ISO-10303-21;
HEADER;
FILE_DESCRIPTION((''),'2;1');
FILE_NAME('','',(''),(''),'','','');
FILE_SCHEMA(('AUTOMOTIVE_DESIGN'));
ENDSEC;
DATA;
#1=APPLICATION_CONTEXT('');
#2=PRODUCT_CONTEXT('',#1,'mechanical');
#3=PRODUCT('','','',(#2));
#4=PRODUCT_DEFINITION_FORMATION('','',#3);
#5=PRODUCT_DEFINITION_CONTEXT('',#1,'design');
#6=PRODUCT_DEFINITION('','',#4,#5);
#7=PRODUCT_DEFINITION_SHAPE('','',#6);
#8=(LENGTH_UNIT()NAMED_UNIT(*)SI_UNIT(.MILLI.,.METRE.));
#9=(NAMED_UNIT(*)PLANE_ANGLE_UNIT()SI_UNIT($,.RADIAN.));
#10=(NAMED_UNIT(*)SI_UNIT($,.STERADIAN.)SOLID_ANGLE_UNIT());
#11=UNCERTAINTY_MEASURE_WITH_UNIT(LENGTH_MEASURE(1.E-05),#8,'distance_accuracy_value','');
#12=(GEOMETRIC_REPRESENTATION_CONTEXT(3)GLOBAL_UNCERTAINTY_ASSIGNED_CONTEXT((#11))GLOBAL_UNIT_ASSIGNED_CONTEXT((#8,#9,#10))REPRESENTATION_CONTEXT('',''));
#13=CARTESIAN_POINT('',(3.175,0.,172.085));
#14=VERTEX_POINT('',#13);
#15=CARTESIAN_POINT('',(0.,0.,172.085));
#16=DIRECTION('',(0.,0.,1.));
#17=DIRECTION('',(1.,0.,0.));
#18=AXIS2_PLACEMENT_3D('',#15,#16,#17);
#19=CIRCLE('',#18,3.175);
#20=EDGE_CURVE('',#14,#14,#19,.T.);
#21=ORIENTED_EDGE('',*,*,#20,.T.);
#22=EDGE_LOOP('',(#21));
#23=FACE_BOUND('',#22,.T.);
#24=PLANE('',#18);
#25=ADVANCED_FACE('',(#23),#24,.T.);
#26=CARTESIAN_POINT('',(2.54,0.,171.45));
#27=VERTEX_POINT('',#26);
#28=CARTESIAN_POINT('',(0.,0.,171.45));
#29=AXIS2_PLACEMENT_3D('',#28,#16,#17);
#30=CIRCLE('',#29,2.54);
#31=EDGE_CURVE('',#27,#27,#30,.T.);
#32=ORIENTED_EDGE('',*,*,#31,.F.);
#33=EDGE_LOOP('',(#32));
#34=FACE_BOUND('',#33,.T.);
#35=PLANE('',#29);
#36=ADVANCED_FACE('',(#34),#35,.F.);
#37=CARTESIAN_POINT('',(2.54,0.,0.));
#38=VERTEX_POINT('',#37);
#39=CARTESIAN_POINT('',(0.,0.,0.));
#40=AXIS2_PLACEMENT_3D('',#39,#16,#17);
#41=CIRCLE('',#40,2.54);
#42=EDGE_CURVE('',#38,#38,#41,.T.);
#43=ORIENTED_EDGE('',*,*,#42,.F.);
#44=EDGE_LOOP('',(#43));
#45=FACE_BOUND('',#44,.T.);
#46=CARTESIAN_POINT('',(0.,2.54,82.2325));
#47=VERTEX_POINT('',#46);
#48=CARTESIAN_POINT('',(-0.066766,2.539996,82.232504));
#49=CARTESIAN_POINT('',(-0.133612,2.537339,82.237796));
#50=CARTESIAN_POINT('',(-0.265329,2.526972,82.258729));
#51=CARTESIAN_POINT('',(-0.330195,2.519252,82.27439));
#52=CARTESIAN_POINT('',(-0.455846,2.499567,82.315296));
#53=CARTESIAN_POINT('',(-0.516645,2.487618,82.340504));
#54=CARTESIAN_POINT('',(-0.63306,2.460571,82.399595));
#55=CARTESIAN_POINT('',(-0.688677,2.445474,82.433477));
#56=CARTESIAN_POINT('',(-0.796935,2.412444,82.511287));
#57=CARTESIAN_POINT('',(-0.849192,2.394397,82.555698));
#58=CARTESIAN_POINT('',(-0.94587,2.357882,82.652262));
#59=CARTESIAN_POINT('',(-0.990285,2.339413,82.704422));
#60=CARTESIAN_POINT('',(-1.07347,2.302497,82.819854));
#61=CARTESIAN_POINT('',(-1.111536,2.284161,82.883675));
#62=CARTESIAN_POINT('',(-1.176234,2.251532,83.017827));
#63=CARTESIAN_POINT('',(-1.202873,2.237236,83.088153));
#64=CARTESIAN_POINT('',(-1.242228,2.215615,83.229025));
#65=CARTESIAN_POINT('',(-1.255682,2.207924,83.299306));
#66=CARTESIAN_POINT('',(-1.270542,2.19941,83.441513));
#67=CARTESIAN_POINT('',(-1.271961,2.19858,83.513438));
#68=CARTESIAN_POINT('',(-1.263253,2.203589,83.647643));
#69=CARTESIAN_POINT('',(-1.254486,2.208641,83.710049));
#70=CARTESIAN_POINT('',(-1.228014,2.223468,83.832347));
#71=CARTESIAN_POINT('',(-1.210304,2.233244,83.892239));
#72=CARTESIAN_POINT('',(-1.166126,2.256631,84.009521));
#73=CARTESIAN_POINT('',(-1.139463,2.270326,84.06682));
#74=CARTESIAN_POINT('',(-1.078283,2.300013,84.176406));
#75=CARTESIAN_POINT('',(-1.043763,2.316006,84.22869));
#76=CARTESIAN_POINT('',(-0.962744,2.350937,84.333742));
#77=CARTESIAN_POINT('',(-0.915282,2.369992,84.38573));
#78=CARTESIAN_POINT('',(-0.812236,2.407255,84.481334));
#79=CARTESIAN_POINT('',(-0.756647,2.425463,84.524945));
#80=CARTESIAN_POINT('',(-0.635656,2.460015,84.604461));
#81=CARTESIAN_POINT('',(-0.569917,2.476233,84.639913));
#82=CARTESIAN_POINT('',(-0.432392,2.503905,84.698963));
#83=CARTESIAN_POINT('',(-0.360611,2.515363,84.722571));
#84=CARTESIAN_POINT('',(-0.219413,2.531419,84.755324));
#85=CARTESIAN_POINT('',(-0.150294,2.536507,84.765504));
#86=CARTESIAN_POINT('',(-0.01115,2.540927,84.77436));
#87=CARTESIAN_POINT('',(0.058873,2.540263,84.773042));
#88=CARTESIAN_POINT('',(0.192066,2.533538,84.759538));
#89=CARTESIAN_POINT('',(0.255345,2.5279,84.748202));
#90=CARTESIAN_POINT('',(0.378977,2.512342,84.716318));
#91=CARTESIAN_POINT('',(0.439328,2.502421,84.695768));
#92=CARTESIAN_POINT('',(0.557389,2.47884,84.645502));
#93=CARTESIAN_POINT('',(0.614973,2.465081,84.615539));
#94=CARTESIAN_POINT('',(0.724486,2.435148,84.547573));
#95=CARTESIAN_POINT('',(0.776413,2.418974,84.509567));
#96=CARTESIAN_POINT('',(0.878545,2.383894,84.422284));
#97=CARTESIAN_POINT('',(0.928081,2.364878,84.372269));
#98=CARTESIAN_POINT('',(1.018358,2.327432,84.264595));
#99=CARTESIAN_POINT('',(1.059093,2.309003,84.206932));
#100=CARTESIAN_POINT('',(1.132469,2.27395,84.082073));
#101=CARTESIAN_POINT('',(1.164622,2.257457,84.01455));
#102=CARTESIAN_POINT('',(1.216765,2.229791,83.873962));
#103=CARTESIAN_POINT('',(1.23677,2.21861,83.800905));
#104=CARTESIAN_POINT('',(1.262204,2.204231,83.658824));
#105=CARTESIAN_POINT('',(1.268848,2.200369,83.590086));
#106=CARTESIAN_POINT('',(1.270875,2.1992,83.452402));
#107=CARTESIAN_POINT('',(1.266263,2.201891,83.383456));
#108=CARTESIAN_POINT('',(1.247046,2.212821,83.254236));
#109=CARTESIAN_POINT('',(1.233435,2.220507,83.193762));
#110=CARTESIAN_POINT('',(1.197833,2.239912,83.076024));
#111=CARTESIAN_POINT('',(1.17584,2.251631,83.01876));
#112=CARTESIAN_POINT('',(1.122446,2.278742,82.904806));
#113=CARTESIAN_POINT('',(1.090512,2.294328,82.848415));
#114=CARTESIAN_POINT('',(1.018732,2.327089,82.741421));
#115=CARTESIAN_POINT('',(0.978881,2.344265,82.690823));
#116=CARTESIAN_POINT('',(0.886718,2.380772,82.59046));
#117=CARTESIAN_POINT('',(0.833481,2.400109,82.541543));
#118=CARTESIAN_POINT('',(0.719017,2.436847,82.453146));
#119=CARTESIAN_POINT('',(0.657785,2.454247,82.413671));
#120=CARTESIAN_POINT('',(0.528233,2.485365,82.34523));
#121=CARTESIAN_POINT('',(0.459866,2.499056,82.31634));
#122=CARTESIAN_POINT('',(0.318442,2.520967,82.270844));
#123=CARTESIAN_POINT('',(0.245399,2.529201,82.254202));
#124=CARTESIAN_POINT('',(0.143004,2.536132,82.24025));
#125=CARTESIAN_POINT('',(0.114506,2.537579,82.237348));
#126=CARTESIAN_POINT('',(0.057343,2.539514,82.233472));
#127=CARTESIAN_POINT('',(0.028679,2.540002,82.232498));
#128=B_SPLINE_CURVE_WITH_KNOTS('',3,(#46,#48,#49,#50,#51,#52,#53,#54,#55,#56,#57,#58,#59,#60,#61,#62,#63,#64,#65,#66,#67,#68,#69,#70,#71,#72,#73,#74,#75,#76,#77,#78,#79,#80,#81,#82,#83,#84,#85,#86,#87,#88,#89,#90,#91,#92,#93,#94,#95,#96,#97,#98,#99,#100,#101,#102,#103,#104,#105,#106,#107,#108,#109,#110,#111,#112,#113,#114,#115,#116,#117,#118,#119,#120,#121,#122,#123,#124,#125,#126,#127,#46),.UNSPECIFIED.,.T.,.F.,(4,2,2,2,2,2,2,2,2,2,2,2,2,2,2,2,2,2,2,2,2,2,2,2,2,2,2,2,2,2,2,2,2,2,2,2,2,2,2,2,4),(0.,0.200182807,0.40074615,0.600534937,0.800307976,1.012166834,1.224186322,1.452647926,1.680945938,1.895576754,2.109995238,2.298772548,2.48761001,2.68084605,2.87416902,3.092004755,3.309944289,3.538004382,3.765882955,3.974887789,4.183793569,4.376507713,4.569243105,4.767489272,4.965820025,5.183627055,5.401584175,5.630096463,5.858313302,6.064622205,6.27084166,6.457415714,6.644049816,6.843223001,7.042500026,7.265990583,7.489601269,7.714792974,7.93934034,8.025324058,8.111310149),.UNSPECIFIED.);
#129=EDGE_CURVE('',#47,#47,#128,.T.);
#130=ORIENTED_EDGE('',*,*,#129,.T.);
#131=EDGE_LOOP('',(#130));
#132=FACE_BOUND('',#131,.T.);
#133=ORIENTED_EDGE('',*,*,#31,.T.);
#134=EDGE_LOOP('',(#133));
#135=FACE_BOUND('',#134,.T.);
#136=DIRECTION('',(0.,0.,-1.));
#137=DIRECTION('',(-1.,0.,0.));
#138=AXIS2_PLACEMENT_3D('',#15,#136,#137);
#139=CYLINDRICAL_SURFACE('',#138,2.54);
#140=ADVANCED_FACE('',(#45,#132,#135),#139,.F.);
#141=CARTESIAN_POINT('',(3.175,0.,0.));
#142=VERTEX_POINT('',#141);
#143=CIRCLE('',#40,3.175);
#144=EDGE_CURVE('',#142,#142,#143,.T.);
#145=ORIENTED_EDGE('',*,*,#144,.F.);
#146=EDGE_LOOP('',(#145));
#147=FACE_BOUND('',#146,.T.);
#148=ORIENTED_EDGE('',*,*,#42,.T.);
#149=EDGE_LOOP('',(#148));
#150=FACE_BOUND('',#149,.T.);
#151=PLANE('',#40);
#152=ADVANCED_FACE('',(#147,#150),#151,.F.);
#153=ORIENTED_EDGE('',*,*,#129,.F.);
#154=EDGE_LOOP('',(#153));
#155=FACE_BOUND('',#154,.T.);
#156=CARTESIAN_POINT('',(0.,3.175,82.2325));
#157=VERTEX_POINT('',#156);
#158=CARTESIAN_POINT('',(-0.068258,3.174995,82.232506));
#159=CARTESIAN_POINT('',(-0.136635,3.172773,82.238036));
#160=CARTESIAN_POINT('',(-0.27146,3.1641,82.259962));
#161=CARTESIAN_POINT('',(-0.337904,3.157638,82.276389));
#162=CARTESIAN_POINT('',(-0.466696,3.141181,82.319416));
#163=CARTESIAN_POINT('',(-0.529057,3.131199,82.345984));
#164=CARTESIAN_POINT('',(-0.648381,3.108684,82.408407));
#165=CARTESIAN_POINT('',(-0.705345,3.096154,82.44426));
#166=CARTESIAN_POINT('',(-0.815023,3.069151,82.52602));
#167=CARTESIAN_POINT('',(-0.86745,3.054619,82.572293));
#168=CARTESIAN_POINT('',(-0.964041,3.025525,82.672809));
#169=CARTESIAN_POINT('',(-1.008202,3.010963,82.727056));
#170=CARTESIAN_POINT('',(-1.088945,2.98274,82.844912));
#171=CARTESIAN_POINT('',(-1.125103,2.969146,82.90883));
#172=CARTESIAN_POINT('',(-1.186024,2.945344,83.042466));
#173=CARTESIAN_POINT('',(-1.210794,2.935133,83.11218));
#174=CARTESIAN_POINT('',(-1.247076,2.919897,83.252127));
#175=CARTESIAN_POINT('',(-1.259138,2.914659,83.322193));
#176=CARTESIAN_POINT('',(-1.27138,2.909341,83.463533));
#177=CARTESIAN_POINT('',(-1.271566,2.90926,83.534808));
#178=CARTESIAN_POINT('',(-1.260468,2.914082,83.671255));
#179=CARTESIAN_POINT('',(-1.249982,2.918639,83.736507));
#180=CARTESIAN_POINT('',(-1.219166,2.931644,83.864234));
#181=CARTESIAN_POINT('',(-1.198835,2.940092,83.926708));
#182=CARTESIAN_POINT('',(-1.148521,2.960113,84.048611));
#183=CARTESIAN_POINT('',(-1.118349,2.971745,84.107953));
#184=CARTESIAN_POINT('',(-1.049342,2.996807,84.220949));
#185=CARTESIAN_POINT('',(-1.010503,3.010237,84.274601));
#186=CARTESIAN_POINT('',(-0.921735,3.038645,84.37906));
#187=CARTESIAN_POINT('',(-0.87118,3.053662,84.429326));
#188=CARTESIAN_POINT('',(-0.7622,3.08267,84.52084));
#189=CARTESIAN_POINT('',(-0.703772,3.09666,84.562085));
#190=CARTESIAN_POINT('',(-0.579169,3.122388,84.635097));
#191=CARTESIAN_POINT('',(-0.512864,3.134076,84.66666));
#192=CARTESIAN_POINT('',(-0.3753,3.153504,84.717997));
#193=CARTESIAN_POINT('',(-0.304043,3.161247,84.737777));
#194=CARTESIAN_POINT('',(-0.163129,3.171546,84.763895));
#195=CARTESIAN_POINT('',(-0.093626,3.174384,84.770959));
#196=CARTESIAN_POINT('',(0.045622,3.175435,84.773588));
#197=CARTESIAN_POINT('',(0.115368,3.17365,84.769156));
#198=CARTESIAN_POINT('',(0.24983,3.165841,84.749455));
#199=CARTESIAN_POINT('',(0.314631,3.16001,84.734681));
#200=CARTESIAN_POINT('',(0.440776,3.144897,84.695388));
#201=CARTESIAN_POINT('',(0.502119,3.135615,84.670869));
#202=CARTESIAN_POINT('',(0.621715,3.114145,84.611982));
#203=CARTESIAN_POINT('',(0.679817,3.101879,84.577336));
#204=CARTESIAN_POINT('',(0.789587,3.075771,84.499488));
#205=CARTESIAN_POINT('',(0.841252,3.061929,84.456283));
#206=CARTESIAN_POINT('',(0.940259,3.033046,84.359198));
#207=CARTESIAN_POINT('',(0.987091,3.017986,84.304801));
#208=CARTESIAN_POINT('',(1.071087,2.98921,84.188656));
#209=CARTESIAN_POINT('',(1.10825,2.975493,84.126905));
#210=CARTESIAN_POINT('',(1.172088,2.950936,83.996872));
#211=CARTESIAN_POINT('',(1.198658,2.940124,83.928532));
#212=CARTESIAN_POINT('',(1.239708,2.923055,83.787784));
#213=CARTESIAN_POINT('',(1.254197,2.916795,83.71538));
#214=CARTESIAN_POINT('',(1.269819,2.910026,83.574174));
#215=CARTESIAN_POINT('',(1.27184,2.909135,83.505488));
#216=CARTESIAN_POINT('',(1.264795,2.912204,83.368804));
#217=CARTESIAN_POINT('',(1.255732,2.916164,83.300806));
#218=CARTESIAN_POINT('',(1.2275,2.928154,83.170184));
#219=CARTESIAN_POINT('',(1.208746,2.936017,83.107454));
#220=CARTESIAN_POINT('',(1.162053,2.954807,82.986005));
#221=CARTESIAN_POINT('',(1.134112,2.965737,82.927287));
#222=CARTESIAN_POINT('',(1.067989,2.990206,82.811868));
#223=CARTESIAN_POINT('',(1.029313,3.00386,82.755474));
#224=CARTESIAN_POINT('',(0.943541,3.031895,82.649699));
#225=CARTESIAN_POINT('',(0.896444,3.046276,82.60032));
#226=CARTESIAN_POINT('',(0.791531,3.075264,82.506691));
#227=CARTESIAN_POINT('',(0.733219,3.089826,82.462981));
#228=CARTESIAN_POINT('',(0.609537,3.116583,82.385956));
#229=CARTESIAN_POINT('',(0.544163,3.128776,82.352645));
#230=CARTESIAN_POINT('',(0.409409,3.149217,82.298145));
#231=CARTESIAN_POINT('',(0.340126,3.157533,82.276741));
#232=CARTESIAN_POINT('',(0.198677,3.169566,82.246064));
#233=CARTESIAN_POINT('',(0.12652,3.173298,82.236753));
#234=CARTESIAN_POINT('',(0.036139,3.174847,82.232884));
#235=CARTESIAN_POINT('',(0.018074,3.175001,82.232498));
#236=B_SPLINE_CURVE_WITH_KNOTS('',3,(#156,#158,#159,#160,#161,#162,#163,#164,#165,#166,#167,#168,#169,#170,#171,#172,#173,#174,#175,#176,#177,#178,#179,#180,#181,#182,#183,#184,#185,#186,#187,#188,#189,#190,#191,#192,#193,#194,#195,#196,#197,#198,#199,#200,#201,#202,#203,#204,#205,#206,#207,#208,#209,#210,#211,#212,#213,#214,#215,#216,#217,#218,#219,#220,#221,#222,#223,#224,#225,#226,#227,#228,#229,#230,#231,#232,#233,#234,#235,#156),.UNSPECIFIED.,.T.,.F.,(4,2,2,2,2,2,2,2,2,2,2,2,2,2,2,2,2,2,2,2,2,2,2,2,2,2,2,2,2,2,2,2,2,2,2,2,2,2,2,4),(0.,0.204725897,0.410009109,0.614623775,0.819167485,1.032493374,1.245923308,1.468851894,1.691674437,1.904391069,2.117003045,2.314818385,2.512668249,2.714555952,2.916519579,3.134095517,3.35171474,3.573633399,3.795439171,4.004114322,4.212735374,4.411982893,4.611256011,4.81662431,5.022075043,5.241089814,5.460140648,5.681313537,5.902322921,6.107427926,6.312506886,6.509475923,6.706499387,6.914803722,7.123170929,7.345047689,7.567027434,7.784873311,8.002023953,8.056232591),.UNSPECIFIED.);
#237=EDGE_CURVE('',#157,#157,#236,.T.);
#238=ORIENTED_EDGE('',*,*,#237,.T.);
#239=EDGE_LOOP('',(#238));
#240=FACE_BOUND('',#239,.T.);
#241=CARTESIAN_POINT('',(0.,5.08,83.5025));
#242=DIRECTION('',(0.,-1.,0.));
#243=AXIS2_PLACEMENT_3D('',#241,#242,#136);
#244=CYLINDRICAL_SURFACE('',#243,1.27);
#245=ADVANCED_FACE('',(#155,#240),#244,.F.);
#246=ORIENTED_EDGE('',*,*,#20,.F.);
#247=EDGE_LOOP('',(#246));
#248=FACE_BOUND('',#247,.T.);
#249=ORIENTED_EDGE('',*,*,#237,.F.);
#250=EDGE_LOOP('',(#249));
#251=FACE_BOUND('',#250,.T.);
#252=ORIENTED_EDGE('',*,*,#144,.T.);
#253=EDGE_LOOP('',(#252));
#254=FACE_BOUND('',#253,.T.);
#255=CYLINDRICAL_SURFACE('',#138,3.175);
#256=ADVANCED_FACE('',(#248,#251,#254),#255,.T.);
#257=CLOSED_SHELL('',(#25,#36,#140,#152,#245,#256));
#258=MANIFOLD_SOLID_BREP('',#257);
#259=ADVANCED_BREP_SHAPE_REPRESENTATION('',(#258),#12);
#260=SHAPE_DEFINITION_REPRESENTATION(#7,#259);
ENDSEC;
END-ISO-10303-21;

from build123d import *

# Parameters (mm, degrees)
SKETCH1_R           = 3.175
BOSS_EXTRUDE1_DEPTH = 172.085
SHELL1_T            = -0.635
SKETCH3_R           = 1.27
CUT_EXTRUDE3_DEPTH  = 5.08


with BuildPart() as part:
    # Sketch1 → Boss-Extrude1 (new body)
    with BuildSketch(Plane.XY):
        Circle(SKETCH1_R)
    extrude(amount=BOSS_EXTRUDE1_DEPTH)

    # Shell1
    shell1_openings = [part.faces().sort_by_distance(p)[0] for p in [
        (0, 0, 0),
    ]]
    offset(amount=SHELL1_T, openings=shell1_openings, kind=Kind.INTERSECTION)

    # Sketch3 → Cut-Extrude3 (cut)
    with BuildSketch(Plane(origin=(0, 0, 0), x_dir=(1, 0, 0), z_dir=(0, 1, 0))):
        with Locations(Location((0, -83.5025, 0), (0, 0, 90))):
            Circle(SKETCH3_R)
    extrude(amount=CUT_EXTRUDE3_DEPTH, mode=Mode.SUBTRACT)


solid = part.part
